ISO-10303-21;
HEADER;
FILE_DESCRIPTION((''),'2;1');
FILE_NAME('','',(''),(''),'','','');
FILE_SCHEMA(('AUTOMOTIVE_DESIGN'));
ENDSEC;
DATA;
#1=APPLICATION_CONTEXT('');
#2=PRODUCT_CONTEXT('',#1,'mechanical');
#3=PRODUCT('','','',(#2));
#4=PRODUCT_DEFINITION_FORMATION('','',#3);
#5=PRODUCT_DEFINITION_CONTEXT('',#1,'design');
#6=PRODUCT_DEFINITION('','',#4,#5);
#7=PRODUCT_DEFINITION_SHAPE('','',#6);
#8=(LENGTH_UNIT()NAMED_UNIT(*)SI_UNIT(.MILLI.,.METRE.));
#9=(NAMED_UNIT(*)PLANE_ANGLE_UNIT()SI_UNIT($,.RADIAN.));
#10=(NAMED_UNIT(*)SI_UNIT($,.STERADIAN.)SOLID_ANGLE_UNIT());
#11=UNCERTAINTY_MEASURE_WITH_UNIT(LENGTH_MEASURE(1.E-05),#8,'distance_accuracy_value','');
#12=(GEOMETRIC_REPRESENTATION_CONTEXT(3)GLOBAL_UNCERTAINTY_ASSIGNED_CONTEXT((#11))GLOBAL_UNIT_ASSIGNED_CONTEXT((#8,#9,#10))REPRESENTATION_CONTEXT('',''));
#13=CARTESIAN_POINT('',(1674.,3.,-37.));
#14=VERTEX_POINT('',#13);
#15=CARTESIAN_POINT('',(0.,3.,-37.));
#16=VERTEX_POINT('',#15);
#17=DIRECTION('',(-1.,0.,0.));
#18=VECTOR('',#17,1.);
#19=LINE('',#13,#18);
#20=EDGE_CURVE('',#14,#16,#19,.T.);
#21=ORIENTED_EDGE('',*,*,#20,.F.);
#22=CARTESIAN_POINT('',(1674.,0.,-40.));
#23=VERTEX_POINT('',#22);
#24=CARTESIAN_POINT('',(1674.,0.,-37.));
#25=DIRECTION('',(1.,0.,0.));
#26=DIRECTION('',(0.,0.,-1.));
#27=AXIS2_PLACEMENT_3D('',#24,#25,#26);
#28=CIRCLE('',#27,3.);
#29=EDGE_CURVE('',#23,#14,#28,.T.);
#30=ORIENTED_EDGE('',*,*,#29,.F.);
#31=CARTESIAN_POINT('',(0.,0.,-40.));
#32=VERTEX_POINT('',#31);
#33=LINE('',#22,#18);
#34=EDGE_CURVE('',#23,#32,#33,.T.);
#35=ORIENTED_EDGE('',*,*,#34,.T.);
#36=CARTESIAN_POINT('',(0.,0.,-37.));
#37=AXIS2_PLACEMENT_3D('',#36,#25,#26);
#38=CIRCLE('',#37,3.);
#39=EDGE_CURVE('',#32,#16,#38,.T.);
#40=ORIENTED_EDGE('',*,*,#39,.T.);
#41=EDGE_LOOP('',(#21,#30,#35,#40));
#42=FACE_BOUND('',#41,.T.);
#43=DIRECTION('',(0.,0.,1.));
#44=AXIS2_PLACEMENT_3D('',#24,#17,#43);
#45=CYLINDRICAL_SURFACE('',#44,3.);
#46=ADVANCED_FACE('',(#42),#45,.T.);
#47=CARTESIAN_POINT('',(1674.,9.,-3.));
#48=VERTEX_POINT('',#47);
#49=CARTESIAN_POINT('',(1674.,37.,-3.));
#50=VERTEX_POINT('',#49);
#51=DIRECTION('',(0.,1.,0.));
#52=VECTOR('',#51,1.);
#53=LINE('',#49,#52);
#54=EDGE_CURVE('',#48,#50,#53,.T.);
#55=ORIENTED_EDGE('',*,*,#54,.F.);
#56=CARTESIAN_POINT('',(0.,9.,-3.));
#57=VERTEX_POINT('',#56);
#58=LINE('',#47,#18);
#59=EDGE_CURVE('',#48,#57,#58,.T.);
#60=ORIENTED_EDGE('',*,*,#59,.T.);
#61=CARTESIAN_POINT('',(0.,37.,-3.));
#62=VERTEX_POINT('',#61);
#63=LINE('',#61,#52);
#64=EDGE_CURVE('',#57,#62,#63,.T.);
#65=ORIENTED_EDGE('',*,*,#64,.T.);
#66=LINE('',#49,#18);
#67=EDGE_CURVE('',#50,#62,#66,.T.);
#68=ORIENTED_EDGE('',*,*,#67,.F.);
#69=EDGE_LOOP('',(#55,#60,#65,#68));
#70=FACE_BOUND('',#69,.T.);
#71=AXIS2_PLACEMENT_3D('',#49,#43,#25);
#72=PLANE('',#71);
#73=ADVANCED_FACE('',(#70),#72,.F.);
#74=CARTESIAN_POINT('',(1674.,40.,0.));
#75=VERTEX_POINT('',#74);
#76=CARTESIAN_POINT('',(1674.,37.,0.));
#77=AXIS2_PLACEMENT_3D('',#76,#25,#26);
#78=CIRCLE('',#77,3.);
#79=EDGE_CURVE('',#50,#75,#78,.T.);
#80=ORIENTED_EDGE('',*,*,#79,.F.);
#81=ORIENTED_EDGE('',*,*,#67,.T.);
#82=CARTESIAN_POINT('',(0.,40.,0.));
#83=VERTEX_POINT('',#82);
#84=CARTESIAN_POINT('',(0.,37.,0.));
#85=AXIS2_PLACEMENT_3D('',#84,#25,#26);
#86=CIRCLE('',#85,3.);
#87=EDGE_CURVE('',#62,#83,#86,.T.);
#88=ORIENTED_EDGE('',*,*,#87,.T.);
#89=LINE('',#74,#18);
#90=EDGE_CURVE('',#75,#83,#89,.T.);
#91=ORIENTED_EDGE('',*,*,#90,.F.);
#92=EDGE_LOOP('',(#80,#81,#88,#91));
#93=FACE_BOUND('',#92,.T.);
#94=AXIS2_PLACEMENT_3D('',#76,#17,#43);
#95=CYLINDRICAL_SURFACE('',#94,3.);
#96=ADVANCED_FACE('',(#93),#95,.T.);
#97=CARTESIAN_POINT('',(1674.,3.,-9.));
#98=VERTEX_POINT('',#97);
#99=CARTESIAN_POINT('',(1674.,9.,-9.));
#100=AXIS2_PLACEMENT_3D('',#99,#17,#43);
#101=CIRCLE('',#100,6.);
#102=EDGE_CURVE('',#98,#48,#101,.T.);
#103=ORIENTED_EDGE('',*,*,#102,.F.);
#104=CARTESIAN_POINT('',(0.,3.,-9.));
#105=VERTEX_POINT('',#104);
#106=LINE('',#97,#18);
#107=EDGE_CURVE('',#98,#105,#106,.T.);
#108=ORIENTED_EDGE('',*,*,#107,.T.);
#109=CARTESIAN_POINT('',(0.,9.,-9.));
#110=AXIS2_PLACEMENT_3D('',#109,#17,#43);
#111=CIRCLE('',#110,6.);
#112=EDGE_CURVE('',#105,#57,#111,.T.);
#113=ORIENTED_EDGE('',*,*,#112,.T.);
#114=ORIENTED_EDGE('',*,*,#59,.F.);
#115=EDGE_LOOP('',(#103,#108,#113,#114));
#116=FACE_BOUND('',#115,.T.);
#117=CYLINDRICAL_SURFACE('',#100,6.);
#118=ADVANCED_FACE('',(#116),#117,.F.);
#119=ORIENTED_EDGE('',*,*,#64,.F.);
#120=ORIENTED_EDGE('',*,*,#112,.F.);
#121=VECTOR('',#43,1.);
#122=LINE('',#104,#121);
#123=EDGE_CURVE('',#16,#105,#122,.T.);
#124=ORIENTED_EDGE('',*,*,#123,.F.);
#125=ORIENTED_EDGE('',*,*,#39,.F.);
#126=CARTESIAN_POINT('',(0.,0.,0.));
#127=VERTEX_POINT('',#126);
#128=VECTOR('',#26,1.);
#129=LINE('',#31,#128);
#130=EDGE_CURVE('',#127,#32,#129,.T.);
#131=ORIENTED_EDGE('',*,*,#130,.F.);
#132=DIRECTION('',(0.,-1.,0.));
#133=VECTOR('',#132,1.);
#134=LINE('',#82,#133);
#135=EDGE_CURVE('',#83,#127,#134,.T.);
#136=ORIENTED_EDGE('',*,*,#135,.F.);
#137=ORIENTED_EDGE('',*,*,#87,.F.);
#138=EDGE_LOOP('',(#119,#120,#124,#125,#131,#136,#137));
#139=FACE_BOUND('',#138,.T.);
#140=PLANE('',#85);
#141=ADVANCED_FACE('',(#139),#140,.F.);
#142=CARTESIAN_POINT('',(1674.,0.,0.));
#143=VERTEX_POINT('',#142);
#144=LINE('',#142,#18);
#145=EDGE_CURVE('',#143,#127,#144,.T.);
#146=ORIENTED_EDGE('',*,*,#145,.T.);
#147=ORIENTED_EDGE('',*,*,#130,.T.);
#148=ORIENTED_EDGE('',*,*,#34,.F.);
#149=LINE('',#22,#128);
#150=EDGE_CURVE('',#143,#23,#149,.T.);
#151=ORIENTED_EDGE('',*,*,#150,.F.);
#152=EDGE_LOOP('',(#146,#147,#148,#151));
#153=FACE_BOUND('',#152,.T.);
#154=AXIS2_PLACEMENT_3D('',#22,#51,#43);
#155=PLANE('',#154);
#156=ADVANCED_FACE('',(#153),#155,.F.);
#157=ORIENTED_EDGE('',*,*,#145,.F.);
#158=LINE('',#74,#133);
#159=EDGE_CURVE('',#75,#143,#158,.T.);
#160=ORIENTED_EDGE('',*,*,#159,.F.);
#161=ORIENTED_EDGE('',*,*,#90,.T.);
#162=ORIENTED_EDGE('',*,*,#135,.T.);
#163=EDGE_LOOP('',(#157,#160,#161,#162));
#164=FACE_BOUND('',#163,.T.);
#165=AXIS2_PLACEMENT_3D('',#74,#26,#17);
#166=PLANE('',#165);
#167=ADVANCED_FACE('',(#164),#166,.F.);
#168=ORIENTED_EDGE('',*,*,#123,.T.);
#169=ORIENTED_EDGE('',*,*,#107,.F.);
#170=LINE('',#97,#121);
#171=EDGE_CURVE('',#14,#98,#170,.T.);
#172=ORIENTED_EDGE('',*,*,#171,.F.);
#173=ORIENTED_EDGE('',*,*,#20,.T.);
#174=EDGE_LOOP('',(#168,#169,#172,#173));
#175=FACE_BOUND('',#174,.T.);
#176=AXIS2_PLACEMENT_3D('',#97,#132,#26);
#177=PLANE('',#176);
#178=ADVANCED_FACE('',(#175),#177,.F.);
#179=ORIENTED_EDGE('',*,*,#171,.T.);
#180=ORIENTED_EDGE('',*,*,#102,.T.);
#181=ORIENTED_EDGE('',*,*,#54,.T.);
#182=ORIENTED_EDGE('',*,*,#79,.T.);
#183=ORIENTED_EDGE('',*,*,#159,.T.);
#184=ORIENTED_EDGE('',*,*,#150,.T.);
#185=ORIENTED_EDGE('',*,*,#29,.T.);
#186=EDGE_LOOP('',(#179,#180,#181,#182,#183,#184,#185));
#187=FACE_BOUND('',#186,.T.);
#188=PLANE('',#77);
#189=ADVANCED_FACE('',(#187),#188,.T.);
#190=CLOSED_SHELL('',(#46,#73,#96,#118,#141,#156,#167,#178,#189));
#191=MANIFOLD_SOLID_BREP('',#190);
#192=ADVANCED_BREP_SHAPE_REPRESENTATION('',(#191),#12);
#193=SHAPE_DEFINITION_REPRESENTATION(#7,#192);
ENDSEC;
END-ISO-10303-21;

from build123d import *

# Parameters (mm, degrees)
L_ANGLE_EQUAL_40X40X3_8_DEPTH = 1674


with BuildPart() as part:
    # Sketch13 → L angle (equal) 40X40X3(8) (new body)
    with BuildSketch(Plane(origin=(0, 0, 0), x_dir=(0, 0, -1), z_dir=(1, 0, 0))):
        with BuildLine():
            Line((0, 40), (0, 0))
            Line((0, 0), (40, 0))
            ThreePointArc((40, 0), (39.121320344, 2.121320344), (37, 3))
            Line((37, 3), (9, 3))
            ThreePointArc((9, 3), (4.757359313, 4.757359313), (3, 9))
            Line((3, 9), (3, 37))
            ThreePointArc((3, 37), (2.121320344, 39.121320344), (0, 40))
        make_face()
    extrude(amount=L_ANGLE_EQUAL_40X40X3_8_DEPTH)


solid = part.part
